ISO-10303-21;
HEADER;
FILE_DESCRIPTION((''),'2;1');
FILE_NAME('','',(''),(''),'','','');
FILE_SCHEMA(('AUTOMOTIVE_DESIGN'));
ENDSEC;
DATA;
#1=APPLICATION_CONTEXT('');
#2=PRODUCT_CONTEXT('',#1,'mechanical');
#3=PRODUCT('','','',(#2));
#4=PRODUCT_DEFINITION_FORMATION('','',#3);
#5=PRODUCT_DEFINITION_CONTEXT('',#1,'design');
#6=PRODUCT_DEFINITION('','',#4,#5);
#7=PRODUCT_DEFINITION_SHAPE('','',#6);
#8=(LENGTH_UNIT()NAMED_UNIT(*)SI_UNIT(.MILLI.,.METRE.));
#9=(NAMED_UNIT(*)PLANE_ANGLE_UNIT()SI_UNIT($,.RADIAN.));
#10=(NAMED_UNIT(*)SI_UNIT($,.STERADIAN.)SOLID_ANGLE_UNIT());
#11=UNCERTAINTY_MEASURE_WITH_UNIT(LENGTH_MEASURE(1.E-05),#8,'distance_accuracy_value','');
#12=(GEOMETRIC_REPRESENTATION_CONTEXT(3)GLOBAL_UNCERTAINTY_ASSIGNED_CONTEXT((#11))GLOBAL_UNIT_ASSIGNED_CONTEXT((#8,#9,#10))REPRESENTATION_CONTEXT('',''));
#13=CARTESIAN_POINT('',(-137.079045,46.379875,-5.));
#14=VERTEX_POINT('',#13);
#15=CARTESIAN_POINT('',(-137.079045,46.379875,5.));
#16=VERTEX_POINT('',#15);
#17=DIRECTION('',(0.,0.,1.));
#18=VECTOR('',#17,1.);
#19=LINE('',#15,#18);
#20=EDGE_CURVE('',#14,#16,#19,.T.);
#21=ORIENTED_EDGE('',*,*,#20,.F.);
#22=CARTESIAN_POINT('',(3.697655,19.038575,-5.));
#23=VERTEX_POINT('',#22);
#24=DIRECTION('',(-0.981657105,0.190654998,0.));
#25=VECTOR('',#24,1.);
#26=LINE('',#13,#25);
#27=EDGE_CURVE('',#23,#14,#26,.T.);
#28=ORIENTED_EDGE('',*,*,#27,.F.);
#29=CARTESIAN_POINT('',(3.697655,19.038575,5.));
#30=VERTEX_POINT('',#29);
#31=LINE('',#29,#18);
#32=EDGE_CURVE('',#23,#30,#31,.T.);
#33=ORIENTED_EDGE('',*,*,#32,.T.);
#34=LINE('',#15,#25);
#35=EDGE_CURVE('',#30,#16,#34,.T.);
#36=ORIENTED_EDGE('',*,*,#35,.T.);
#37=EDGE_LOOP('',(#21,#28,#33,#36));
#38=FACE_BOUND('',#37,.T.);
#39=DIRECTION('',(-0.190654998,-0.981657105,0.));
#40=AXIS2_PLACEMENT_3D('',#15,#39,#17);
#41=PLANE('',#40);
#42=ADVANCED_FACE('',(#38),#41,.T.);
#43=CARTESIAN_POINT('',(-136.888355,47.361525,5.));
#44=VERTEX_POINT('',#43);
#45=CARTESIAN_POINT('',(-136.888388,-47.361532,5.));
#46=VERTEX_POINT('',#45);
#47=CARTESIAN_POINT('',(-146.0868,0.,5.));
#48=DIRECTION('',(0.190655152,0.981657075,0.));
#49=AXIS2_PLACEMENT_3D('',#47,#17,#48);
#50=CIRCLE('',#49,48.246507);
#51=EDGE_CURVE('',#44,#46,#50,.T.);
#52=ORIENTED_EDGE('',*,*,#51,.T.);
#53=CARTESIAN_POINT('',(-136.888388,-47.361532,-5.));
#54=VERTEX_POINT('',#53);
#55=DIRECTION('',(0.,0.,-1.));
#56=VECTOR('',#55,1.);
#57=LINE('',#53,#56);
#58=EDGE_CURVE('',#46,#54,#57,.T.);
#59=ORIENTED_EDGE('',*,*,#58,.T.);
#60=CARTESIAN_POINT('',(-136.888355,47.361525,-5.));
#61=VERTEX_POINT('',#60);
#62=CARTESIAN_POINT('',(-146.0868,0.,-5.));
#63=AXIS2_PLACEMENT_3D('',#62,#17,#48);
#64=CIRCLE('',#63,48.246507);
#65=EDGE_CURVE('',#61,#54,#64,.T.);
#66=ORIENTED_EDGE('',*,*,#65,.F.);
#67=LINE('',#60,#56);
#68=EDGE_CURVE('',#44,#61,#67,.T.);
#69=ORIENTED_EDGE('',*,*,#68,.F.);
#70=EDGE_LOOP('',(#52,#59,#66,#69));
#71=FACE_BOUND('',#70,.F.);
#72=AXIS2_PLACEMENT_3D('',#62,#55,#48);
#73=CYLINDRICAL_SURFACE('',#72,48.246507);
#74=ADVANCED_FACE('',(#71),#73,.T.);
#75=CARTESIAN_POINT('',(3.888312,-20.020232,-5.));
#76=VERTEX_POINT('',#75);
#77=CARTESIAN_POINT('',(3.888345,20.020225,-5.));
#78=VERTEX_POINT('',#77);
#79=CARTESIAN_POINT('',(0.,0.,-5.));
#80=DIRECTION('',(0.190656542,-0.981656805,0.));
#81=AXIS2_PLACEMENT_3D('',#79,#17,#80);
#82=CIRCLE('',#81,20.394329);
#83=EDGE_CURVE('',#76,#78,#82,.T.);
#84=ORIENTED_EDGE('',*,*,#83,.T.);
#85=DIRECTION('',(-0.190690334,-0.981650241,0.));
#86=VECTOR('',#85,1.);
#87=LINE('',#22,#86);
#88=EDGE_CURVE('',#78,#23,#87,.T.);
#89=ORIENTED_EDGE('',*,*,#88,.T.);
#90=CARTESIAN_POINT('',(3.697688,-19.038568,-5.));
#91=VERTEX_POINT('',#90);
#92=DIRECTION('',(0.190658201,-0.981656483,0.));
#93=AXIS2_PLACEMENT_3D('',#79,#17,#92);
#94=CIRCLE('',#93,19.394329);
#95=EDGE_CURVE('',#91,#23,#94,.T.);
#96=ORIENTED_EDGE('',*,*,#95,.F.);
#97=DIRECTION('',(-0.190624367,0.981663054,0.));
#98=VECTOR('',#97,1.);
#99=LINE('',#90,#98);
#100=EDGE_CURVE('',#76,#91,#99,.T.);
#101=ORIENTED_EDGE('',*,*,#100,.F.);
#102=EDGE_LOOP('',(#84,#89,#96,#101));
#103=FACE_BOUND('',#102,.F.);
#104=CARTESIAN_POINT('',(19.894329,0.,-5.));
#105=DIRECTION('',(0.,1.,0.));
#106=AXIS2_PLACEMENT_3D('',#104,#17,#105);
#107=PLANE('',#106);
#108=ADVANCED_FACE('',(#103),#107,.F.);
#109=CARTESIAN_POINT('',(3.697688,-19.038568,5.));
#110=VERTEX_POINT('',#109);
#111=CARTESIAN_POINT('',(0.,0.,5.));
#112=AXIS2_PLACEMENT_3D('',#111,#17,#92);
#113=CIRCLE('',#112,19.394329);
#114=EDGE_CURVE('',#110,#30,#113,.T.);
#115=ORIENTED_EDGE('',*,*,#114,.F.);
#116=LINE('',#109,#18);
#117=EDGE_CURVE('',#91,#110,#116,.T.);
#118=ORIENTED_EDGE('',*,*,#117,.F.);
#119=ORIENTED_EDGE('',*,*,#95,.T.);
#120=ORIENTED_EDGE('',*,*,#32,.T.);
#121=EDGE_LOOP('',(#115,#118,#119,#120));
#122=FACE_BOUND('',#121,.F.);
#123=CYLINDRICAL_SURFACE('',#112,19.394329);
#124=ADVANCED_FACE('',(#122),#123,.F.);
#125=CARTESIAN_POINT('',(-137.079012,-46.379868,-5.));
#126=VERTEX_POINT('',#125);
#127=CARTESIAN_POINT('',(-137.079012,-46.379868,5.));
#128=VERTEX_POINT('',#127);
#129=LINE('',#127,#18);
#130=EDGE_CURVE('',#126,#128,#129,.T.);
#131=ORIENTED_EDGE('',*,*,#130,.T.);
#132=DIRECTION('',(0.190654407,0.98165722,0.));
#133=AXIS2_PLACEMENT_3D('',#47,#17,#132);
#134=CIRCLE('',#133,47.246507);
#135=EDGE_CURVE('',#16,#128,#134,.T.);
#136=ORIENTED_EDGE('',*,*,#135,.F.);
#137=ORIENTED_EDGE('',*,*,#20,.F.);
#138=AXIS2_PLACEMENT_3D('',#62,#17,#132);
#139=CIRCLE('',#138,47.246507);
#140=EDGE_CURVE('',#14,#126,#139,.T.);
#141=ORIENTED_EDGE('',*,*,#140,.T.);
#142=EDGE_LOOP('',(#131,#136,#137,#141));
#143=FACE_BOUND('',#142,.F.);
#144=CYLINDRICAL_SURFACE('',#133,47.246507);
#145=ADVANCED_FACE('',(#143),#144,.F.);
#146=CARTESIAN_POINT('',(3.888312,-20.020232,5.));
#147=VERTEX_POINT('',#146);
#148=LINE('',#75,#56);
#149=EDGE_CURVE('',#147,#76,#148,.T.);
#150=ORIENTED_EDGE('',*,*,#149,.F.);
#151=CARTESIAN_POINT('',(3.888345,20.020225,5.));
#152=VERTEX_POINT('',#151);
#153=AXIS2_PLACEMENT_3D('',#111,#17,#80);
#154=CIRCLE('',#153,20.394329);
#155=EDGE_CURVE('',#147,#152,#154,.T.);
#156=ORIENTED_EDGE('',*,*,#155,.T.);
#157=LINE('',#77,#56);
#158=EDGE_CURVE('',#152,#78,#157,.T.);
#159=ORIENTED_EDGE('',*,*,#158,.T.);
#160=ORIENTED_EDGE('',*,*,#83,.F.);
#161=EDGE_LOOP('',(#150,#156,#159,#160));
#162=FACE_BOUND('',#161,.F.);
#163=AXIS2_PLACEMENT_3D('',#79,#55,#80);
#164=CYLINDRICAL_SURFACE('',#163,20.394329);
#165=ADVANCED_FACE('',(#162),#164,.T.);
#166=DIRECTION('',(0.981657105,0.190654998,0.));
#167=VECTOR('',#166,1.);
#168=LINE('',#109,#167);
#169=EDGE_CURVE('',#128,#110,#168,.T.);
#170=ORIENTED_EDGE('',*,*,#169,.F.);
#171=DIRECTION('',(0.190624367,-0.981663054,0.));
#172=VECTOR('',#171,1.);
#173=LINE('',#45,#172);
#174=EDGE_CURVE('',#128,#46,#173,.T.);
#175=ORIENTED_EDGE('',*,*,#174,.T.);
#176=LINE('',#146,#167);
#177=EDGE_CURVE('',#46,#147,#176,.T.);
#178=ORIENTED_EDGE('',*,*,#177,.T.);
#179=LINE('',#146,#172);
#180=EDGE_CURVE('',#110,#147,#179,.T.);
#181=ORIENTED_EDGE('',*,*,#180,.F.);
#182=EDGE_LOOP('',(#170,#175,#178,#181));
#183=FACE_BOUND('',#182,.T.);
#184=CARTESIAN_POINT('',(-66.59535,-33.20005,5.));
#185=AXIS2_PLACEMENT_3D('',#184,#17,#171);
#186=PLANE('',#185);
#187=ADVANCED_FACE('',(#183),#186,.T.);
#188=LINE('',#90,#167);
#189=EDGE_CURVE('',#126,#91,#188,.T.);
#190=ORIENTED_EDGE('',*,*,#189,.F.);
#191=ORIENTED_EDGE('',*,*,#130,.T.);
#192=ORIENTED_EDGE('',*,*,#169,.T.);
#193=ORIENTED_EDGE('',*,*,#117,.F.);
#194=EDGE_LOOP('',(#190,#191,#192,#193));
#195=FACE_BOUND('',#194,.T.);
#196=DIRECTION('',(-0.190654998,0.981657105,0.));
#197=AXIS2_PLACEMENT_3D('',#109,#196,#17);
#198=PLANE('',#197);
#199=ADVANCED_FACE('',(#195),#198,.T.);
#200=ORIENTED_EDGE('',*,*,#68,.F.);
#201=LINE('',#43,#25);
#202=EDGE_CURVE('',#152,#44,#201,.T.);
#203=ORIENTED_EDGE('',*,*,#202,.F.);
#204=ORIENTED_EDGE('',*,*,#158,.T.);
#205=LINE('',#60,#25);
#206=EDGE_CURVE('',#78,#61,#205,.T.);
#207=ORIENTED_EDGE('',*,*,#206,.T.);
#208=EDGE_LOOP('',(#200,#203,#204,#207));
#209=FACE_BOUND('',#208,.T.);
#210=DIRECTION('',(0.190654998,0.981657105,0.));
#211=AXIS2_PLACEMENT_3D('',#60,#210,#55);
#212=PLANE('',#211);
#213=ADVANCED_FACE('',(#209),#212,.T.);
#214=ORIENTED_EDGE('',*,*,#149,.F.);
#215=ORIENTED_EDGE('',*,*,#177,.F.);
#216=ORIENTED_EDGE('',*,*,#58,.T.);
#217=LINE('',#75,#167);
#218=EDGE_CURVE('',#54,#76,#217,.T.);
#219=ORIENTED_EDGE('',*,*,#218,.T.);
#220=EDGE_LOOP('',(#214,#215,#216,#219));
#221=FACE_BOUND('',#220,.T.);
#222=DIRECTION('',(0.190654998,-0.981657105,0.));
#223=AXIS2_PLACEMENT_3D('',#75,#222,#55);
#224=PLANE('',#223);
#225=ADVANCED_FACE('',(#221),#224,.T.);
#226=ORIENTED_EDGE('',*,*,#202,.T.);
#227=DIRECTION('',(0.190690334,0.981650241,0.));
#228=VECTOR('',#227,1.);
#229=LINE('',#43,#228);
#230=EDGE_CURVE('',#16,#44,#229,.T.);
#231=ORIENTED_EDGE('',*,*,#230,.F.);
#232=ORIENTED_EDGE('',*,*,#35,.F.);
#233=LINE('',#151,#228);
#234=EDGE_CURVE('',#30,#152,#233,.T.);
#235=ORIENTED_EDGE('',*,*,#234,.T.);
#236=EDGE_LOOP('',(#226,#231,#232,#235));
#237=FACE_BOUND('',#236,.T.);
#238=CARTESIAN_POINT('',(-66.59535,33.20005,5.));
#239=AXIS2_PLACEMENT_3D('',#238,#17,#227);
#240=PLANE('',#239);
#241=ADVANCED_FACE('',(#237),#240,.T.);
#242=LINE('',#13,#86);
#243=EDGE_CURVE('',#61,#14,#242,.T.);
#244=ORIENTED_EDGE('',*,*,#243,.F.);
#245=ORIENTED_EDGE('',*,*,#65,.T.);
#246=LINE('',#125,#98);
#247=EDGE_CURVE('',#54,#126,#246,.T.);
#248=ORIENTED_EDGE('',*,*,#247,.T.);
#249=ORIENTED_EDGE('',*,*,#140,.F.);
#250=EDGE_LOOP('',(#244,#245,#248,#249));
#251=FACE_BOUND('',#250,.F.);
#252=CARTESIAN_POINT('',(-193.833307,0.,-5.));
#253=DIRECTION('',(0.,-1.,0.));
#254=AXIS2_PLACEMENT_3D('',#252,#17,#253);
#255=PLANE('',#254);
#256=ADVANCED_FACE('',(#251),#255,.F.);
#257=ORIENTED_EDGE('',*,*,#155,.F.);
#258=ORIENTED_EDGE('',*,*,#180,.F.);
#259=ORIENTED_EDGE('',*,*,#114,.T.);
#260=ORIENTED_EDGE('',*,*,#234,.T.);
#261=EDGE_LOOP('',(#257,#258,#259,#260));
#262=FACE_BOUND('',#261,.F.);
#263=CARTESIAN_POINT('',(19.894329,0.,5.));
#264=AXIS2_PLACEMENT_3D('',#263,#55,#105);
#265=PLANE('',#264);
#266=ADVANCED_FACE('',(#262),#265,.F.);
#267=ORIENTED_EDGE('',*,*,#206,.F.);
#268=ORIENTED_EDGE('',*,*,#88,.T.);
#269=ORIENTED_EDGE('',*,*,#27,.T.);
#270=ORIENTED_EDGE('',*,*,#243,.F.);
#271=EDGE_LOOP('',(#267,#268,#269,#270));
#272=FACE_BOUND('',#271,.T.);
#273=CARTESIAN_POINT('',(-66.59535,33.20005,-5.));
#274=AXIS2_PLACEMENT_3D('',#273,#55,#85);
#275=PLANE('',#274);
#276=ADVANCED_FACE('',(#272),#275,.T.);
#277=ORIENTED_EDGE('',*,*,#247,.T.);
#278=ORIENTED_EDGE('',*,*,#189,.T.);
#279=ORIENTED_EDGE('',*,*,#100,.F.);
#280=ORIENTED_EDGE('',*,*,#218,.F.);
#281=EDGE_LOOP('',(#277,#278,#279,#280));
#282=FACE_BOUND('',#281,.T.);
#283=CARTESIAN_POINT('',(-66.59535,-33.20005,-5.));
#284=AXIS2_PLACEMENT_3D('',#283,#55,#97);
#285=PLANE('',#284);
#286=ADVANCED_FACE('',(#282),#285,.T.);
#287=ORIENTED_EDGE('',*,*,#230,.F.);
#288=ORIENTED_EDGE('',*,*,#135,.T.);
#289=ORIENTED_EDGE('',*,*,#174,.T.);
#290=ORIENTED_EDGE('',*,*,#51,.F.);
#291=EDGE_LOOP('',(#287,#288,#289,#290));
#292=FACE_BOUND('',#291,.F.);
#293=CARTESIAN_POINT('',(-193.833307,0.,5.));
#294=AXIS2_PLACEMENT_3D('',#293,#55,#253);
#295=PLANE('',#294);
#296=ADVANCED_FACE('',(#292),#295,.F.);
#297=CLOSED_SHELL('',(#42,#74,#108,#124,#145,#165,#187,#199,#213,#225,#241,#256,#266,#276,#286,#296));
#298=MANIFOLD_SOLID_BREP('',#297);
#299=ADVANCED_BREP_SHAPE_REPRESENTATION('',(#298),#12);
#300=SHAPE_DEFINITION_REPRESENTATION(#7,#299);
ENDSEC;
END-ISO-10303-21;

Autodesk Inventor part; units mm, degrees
sketch "Sketch Path" plane through (0, 0, 0) normal (0, 0, 1) x (1, 0, 0)
  arc A0 (3.793, -19.5294) -> (3.793, 19.5294) centre (0, 0) ccw
  arc A1 (-136.9837, 46.8707) -> (-136.9837, -46.8707) centre (-146.0868, 0) ccw
  line L0 (-136.9837, 46.8707) -> (3.793, 19.5294)
  line L1 (3.793, -19.5294) -> (-136.9837, -46.8707)
ref_plane "Cross Section Plane" through (3.793, 19.5294, 0) normal (-0.9817, 0.1907, 0) x (0, 0, 1)
ref_plane "Work Plane2" through (0, 0, 0) normal (-1, 0, 0) x (0, 0, 1)
ref_plane "Work Plane3" through (-146.0868, 0, 0) normal (0.9914, 0.1305, 0) x (0, 0, 1)
sketch "Cross Section" plane through (3.793, 19.5294, 0) normal (-0.9817, 0.1907, 0) x (0, 0, 1)
  line L0 (-5, 0.5) -> (5, 0.5)
  line L1 (5, 0.5) -> (5, -0.5)
  line L2 (5, -0.5) -> (-5, -0.5)
  line L3 (-5, -0.5) -> (-5, 0.5)
  line L4 (-5, 0) -> (5, 0) construction
  point P0 (0, 0)
  point P1 (0, 0)
  dimension "d0" = 10
  dimension "d4" = 0.5
  dimension "d5" = 0.5
sweep "Belt" add profiles "Cross Section" path "Sketch Path"
equation "\"d0\" = da_B"
equation "\"d4\" = da_a"
equation "\"d5\" = da_a2"
equation "\"da_B\" = 10"
equation "\"da_pb\" = 5"
equation "\"da_a\" = 0.5"
equation "\"da_S\" = 2.65"
equation "\"da_Beta\" = 20deg"
equation "\"da_Ht\" = 1.2"
equation "\"da_H\" = 2.2"
equation "\"da_a2\" = 0.5"
properties part number "Synchronous Belt" material "Rubber"
